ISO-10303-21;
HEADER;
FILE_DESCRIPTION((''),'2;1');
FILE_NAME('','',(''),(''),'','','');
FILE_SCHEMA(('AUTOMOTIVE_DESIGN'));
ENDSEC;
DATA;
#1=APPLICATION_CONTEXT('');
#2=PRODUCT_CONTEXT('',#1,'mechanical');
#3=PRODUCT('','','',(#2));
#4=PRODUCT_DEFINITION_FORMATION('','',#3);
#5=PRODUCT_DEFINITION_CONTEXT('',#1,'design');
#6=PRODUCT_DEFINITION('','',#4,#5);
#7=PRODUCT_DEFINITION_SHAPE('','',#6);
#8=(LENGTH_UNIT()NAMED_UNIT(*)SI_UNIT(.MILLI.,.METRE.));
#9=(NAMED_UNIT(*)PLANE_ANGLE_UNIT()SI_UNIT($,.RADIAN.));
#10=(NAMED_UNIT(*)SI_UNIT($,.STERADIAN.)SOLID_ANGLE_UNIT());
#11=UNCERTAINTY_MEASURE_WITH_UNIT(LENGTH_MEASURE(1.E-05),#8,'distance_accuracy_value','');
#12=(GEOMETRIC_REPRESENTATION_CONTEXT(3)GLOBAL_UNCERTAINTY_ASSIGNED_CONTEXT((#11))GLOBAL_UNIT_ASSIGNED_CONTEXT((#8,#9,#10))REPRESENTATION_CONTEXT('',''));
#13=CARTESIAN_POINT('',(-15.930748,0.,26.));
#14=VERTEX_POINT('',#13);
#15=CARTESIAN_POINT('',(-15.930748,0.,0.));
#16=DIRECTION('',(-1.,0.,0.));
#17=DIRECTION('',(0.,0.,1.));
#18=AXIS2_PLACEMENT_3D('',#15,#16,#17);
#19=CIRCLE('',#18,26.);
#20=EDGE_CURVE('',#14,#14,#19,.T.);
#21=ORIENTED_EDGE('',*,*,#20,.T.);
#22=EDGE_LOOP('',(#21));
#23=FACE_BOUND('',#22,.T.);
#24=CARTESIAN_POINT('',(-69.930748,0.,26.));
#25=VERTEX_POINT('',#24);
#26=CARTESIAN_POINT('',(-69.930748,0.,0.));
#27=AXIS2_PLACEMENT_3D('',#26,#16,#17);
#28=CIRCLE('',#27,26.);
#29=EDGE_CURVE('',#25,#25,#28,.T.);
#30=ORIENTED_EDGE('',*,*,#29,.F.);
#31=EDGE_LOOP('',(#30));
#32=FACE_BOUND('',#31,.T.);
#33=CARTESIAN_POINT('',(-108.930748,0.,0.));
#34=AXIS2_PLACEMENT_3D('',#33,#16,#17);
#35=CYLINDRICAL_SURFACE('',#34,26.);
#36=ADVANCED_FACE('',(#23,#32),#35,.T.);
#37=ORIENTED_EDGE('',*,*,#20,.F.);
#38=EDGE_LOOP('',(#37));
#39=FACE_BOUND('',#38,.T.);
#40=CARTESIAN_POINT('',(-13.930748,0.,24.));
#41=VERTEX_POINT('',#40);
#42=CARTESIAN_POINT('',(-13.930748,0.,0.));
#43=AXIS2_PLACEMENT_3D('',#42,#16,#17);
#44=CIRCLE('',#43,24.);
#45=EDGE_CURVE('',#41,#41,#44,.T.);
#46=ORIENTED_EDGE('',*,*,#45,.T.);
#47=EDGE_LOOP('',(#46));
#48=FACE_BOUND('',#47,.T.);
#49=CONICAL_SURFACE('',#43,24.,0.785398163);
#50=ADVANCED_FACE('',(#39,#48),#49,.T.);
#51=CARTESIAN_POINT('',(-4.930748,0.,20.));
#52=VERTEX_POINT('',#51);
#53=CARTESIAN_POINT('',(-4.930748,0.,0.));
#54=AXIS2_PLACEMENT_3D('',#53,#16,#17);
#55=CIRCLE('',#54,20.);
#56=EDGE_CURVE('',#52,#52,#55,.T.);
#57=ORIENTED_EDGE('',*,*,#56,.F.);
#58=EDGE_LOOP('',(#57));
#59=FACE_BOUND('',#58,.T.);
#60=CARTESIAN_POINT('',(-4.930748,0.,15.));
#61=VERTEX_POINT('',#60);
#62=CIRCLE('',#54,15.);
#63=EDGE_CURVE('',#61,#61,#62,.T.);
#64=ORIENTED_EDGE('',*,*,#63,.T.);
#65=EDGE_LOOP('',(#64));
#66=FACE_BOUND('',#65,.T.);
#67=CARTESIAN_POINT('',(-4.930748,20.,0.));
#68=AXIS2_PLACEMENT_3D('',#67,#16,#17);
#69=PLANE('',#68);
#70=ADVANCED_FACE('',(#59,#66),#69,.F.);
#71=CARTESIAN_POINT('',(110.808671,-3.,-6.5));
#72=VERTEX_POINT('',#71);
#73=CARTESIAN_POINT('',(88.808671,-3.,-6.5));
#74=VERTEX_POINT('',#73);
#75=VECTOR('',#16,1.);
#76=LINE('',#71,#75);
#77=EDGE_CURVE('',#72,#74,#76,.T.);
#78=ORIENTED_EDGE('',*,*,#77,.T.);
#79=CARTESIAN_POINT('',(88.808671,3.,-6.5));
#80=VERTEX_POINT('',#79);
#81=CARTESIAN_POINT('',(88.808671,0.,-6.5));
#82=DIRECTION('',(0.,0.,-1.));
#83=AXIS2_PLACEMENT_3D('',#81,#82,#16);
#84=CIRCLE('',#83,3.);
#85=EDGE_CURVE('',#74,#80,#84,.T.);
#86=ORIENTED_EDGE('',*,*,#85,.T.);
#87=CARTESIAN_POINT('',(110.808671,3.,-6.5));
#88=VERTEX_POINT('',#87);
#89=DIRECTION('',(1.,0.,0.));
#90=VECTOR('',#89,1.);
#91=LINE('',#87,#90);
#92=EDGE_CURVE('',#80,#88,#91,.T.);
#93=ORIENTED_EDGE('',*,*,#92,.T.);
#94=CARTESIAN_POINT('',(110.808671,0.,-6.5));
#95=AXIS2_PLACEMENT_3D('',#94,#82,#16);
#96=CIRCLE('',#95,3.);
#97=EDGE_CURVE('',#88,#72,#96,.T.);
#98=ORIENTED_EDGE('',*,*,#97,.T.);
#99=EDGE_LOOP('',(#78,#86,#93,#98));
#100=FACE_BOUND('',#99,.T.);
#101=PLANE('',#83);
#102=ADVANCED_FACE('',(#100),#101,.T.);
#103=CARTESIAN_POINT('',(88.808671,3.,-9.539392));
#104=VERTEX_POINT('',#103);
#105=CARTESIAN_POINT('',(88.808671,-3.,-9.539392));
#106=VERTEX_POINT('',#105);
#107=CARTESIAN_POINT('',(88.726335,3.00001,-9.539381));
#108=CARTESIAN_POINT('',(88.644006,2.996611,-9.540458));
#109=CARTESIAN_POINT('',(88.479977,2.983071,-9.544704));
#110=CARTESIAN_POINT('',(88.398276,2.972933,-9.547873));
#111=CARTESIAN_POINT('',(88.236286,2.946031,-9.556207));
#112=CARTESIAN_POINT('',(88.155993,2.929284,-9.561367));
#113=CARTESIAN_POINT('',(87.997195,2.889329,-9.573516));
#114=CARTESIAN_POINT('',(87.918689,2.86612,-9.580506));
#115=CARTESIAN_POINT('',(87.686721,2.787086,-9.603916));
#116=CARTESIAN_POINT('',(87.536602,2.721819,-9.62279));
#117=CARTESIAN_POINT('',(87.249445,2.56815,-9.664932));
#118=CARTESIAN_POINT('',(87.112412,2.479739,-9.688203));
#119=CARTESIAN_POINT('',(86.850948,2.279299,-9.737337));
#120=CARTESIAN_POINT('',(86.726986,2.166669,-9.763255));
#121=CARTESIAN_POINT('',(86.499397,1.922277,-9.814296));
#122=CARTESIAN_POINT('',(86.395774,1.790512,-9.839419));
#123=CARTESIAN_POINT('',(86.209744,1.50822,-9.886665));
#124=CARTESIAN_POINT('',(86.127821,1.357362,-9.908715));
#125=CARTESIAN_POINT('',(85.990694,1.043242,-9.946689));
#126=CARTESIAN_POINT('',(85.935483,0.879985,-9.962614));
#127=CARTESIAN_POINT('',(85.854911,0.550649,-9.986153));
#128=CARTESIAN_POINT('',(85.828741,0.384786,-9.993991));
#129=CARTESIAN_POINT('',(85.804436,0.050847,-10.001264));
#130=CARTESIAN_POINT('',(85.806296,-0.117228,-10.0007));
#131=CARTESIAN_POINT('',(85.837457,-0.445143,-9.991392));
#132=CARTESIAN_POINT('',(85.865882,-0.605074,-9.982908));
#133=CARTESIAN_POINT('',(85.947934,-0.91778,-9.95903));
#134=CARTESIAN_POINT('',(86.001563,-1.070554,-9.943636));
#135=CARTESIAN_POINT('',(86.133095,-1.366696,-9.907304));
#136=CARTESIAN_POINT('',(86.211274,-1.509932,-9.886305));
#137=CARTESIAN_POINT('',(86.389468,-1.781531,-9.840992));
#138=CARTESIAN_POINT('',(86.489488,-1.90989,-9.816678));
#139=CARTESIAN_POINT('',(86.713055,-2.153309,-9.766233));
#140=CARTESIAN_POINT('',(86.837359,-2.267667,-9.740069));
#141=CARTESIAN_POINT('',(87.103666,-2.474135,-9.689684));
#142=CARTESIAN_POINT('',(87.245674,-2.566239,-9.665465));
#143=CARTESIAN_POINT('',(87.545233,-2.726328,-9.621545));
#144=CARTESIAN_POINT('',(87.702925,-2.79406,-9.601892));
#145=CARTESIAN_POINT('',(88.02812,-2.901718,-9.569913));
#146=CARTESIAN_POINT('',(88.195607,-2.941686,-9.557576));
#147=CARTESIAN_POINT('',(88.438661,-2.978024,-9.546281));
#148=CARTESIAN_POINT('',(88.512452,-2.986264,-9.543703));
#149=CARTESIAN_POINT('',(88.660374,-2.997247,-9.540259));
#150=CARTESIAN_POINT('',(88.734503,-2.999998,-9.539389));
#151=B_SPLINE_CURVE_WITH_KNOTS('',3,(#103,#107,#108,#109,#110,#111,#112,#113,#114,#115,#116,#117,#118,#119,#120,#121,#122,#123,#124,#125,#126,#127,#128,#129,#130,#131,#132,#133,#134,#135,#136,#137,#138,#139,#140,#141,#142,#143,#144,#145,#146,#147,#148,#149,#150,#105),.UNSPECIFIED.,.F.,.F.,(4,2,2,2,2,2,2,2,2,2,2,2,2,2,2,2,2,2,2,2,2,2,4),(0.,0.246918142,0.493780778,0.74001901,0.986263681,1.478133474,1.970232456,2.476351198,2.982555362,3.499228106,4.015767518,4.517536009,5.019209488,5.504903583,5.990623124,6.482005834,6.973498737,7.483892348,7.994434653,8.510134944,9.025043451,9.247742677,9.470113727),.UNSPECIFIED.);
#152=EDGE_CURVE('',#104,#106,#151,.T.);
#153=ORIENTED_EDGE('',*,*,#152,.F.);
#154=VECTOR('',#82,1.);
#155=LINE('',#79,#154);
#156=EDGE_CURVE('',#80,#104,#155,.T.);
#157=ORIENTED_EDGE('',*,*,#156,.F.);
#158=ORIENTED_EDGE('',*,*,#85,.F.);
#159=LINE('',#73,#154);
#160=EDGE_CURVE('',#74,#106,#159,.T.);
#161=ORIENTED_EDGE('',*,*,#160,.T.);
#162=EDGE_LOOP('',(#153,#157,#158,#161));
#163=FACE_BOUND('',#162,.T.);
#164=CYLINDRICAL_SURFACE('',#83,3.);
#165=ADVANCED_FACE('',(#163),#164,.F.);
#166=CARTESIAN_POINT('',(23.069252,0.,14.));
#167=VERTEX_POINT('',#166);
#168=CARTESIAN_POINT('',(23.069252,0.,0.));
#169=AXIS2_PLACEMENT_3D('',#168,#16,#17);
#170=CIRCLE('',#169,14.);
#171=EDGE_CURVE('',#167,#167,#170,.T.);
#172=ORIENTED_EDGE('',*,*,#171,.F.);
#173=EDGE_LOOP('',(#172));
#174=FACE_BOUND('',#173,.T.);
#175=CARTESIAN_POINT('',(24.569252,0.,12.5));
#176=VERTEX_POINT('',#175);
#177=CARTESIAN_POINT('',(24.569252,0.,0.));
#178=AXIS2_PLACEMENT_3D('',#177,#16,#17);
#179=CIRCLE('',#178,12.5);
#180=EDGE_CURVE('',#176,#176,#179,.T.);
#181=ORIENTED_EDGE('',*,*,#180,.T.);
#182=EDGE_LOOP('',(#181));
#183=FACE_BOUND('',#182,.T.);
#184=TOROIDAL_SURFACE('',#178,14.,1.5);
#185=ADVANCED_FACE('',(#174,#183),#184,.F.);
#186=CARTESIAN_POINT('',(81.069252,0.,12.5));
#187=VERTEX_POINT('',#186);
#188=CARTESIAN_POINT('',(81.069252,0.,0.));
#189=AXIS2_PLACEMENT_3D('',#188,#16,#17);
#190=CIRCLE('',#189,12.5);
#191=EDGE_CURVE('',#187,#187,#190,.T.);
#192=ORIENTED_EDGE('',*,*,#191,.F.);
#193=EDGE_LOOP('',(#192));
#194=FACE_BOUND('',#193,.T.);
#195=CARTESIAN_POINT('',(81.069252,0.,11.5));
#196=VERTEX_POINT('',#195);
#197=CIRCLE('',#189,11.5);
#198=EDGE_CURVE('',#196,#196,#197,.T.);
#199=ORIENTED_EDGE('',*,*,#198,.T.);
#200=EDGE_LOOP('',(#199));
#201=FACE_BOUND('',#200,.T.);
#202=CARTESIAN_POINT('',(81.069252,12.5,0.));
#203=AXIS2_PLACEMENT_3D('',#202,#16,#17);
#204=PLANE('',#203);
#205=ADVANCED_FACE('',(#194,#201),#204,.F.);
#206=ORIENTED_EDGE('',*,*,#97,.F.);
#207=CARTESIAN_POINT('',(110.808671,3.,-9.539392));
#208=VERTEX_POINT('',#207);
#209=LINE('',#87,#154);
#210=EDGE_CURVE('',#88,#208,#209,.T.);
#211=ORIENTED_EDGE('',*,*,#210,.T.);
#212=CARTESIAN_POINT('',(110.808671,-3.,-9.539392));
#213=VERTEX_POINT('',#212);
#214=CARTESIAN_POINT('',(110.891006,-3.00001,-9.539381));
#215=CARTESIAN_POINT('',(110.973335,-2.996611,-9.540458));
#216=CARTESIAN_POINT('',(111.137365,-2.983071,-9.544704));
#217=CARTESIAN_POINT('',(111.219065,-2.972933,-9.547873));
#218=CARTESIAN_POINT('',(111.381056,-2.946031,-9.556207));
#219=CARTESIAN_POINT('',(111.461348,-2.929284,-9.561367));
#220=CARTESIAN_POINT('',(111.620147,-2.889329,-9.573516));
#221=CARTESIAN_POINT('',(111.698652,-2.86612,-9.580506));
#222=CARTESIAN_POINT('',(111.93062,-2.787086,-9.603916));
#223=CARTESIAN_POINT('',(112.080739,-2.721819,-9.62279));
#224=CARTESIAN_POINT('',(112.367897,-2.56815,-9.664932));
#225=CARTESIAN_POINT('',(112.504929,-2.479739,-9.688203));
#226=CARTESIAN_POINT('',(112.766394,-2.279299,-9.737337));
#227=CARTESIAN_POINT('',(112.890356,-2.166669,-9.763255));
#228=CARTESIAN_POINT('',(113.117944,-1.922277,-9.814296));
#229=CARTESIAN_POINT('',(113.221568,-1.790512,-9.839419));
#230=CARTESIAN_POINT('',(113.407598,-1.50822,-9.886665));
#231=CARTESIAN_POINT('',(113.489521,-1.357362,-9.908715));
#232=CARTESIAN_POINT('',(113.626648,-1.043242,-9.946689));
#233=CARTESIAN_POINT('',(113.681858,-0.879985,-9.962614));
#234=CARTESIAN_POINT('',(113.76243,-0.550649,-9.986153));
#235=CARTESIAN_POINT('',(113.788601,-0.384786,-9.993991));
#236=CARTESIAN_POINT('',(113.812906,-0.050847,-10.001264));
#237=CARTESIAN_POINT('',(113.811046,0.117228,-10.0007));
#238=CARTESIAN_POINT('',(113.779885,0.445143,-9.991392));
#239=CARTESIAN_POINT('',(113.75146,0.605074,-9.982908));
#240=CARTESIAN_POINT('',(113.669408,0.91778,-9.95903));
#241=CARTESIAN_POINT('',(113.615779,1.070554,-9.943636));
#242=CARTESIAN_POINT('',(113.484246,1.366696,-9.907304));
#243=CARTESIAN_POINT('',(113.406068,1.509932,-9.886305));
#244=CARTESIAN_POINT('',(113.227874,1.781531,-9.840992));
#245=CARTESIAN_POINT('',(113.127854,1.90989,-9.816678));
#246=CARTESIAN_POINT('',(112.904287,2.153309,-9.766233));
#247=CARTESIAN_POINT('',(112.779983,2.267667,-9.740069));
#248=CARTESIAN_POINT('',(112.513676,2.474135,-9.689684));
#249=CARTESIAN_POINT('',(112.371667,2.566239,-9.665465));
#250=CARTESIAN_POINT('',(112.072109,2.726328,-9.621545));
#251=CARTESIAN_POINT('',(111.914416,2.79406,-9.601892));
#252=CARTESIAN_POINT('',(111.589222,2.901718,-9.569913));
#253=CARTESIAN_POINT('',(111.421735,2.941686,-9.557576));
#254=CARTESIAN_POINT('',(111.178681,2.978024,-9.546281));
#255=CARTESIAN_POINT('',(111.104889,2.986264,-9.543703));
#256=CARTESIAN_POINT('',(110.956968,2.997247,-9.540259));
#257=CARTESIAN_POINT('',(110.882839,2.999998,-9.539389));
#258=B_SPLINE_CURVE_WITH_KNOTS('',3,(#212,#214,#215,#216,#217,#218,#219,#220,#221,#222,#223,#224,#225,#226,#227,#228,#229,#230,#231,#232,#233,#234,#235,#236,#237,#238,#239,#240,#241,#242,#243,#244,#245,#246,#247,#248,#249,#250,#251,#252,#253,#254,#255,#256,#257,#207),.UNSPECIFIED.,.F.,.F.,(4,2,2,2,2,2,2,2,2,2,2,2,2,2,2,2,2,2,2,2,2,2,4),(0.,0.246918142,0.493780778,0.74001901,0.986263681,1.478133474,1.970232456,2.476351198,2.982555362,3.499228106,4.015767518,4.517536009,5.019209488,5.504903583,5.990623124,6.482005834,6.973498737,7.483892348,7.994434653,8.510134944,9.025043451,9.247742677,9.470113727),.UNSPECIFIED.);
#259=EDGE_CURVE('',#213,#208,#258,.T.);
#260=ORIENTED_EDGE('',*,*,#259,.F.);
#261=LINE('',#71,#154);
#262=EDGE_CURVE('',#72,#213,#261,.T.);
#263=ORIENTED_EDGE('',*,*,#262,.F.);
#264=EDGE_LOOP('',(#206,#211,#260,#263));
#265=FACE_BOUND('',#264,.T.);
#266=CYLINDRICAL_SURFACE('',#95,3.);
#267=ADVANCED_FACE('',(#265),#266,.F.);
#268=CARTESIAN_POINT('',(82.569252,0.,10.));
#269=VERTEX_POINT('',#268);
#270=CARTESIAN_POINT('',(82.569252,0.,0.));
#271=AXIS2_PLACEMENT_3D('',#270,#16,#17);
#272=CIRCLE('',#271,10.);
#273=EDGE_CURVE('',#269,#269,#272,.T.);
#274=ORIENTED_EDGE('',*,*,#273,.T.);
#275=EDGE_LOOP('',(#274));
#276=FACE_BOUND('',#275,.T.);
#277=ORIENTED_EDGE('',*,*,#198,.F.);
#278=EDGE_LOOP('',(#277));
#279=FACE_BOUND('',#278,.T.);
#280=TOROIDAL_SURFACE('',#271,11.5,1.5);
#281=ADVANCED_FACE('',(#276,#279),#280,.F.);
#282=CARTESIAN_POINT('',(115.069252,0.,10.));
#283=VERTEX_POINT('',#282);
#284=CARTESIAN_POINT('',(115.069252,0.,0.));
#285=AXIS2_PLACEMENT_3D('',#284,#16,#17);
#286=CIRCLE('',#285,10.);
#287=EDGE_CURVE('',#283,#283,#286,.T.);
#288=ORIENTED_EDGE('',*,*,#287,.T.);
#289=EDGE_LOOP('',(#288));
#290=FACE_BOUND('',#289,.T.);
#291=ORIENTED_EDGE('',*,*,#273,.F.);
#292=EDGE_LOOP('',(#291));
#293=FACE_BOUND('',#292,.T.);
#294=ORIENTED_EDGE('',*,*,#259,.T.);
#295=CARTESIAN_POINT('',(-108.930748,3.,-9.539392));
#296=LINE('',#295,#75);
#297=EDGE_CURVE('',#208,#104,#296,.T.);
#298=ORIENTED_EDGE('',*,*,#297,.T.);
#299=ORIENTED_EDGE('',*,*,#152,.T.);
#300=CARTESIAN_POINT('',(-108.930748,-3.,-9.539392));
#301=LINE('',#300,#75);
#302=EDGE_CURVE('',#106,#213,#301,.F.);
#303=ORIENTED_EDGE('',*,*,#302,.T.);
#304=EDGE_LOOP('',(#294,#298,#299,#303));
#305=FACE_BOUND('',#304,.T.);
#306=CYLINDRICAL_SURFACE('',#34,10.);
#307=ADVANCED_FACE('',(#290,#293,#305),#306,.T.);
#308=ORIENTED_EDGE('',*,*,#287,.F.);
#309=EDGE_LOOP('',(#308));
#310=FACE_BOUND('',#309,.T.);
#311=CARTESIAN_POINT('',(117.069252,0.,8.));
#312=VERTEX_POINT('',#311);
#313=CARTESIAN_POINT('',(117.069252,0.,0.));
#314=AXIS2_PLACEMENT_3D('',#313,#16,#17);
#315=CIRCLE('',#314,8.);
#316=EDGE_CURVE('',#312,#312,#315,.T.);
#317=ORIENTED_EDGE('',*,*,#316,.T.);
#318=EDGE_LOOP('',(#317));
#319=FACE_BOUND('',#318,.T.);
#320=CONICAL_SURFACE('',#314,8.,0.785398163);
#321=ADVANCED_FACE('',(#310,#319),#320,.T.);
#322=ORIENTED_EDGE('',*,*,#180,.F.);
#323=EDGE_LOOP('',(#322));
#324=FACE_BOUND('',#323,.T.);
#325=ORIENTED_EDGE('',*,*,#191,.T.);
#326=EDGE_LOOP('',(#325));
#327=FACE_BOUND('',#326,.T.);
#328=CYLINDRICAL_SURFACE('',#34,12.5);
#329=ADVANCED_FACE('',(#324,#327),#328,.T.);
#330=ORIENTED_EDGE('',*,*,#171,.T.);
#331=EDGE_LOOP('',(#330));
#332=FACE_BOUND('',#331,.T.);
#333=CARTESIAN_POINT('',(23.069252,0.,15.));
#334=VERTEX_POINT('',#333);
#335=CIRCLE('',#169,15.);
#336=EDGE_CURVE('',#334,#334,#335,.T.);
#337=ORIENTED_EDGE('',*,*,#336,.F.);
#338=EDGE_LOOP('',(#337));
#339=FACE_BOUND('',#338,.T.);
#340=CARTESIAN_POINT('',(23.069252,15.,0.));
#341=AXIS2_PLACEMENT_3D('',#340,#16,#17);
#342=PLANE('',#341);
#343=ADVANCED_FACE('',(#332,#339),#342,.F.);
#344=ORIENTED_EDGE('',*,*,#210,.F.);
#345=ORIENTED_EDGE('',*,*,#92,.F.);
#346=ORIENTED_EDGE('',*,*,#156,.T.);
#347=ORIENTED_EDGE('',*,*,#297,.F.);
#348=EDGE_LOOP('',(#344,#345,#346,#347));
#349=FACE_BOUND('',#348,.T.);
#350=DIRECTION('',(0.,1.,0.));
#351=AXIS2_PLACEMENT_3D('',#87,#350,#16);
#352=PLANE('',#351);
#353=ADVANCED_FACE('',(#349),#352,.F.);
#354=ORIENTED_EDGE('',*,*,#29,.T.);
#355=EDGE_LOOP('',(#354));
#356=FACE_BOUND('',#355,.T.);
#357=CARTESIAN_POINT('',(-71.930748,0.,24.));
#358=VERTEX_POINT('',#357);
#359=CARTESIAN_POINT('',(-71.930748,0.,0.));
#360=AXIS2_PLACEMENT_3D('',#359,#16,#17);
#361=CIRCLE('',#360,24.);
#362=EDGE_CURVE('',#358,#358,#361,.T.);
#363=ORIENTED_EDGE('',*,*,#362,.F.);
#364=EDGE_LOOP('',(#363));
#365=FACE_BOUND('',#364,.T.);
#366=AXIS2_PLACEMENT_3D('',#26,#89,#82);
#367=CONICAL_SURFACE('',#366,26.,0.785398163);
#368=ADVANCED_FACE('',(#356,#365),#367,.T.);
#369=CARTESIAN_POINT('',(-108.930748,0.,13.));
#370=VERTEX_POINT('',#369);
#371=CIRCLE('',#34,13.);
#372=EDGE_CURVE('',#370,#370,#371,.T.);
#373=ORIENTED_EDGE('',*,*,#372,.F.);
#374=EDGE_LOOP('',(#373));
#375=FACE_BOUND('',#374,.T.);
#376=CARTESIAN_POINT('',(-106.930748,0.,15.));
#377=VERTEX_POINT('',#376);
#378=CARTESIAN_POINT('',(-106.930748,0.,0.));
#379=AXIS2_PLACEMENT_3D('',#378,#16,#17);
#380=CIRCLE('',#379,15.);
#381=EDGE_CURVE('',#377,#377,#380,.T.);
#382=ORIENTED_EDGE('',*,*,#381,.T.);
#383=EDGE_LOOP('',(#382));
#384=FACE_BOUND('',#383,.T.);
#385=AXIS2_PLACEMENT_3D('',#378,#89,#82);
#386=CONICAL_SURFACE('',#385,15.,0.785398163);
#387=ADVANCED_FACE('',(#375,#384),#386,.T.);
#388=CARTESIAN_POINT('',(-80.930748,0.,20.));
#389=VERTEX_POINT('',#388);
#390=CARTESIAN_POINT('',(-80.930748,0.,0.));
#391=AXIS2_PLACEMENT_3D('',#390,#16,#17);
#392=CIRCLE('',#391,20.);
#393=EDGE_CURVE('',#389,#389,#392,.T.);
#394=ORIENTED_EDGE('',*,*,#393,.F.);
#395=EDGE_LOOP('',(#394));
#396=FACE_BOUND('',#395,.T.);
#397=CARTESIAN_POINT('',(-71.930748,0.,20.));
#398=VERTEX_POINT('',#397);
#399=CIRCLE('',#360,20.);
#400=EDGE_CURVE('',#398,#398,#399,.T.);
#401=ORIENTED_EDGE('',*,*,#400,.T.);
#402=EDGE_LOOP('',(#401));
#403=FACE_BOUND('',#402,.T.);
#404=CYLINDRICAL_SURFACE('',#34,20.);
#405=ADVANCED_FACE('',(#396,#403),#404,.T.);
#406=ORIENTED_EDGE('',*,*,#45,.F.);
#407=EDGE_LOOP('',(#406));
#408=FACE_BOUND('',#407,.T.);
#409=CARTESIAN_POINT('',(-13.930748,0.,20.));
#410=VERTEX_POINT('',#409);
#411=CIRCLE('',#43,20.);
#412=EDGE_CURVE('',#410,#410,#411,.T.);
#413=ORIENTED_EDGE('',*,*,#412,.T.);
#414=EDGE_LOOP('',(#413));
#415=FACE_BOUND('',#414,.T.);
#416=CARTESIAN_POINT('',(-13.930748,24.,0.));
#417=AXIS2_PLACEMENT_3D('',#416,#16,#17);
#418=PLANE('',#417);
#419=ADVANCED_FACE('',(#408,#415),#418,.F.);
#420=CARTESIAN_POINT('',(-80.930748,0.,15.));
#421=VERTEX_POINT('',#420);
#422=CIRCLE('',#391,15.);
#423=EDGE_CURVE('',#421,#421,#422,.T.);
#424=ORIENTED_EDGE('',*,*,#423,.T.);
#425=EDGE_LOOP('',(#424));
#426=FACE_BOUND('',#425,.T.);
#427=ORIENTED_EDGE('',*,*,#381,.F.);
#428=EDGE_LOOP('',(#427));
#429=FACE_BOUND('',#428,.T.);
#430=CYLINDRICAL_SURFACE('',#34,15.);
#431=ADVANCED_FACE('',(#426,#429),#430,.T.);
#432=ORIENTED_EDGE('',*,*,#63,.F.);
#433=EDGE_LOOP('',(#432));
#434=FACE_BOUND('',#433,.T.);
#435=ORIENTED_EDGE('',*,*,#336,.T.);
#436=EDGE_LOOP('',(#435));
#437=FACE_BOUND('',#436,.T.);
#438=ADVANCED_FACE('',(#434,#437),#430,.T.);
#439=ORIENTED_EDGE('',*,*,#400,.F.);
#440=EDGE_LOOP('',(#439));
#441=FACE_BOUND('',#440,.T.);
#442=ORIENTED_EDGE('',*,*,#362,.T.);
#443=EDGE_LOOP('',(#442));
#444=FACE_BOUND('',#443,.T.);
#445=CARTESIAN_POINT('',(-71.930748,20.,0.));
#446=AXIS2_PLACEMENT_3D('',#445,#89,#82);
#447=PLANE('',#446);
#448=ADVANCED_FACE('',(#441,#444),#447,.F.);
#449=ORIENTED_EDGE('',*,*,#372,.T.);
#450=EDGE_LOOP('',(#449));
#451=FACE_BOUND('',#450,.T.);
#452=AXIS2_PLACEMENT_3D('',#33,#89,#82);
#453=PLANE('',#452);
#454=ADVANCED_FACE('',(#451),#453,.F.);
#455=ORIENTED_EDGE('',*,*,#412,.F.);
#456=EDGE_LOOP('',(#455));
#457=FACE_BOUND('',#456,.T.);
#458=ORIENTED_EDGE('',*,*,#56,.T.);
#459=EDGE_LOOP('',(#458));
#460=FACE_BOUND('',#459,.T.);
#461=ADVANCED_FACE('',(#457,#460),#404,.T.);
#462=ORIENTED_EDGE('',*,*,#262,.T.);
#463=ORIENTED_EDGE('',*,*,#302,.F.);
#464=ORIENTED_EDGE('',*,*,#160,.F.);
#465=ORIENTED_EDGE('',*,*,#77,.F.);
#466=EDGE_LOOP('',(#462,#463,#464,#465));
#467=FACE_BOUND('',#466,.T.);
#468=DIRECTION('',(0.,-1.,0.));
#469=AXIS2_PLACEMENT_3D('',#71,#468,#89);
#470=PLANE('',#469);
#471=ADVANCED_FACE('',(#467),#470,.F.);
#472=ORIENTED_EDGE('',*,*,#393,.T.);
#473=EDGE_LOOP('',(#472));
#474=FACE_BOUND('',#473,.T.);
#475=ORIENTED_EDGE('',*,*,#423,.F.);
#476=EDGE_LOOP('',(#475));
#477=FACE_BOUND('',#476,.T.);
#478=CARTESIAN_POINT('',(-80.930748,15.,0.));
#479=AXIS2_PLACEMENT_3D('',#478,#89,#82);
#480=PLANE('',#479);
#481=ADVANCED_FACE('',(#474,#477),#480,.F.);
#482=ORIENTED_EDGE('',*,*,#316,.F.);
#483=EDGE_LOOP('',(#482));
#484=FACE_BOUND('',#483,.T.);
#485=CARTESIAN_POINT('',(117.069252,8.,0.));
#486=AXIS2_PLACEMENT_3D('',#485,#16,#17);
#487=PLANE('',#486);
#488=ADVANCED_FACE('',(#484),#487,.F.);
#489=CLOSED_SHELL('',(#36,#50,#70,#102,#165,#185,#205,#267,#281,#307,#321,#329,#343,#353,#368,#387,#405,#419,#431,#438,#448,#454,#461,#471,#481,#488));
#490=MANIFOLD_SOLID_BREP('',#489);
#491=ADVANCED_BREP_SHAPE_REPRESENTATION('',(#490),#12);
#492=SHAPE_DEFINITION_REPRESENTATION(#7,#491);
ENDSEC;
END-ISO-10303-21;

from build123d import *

# Parameters (mm, degrees)
CUT_EXTRUDE_1_DEPTH = 3.5


with BuildPart() as part:
    # 草图1 → 旋转1 (revolve)
    with BuildSketch(Plane.XY, mode=Mode.PRIVATE) as revolve_1_sk:
        with BuildLine():
            Line((-108.930747922, 0), (-108.930747922, 13))
            Line((-108.930747922, 13), (-106.930747922, 15))
            Line((-106.930747922, 15), (-80.930747922, 15))
            Line((-80.930747922, 15), (-80.930747922, 20))
            Line((-80.930747922, 20), (-71.930747922, 20))
            Line((-71.930747922, 20), (-71.930747922, 24))
            Line((-71.930747922, 24), (-69.930747922, 26))
            Line((-69.930747922, 26), (-15.930747922, 26))
            Line((-15.930747922, 26), (-13.930747922, 24))
            Line((-13.930747922, 24), (-13.930747922, 20))
            Line((-13.930747922, 20), (-4.930747922, 20))
            Line((-4.930747922, 20), (-4.930747922, 15))
            Line((-4.930747922, 15), (23.069252078, 15))
            Line((23.069252078, 15), (23.069252078, 14))
            ThreePointArc((23.069252078, 14), (23.508591906, 12.939339828), (24.569252078, 12.5))
            Line((24.569252078, 12.5), (81.069252078, 12.5))
            Line((81.069252078, 12.5), (81.069252078, 11.5))
            ThreePointArc((81.069252078, 11.5), (81.508591906, 10.439339828), (82.569252078, 10))
            Line((82.569252078, 10), (115.069252078, 10))
            Line((115.069252078, 10), (117.069252078, 8))
            Line((117.069252078, 8), (117.069252078, 0))
            Line((117.069252078, 0), (-108.930747922, 0))
        make_face()
    revolve(revolve_1_sk.sketch.rotate(Axis((-108.930747922, 0, 0), (1, 0, 0)), 90), axis=Axis((-108.930747922, 0, 0), (1, 0, 0)))

    # 草图2 → 切除-拉伸1 (cut)
    with BuildSketch(Plane(origin=(0, 0, -10), x_dir=(-1, 0, 0), z_dir=(0, 0, -1))):
        with BuildLine():
            Line((-110.808670822, 3), (-88.808670822, 3))
            ThreePointArc((-88.808670822, 3), (-85.808670822, 0), (-88.808670822, -3))
            Line((-88.808670822, -3), (-110.808670822, -3))
            ThreePointArc((-110.808670822, -3), (-113.808670822, 0), (-110.808670822, 3))
        make_face()
    extrude(amount=-CUT_EXTRUDE_1_DEPTH, mode=Mode.SUBTRACT)


solid = part.part
